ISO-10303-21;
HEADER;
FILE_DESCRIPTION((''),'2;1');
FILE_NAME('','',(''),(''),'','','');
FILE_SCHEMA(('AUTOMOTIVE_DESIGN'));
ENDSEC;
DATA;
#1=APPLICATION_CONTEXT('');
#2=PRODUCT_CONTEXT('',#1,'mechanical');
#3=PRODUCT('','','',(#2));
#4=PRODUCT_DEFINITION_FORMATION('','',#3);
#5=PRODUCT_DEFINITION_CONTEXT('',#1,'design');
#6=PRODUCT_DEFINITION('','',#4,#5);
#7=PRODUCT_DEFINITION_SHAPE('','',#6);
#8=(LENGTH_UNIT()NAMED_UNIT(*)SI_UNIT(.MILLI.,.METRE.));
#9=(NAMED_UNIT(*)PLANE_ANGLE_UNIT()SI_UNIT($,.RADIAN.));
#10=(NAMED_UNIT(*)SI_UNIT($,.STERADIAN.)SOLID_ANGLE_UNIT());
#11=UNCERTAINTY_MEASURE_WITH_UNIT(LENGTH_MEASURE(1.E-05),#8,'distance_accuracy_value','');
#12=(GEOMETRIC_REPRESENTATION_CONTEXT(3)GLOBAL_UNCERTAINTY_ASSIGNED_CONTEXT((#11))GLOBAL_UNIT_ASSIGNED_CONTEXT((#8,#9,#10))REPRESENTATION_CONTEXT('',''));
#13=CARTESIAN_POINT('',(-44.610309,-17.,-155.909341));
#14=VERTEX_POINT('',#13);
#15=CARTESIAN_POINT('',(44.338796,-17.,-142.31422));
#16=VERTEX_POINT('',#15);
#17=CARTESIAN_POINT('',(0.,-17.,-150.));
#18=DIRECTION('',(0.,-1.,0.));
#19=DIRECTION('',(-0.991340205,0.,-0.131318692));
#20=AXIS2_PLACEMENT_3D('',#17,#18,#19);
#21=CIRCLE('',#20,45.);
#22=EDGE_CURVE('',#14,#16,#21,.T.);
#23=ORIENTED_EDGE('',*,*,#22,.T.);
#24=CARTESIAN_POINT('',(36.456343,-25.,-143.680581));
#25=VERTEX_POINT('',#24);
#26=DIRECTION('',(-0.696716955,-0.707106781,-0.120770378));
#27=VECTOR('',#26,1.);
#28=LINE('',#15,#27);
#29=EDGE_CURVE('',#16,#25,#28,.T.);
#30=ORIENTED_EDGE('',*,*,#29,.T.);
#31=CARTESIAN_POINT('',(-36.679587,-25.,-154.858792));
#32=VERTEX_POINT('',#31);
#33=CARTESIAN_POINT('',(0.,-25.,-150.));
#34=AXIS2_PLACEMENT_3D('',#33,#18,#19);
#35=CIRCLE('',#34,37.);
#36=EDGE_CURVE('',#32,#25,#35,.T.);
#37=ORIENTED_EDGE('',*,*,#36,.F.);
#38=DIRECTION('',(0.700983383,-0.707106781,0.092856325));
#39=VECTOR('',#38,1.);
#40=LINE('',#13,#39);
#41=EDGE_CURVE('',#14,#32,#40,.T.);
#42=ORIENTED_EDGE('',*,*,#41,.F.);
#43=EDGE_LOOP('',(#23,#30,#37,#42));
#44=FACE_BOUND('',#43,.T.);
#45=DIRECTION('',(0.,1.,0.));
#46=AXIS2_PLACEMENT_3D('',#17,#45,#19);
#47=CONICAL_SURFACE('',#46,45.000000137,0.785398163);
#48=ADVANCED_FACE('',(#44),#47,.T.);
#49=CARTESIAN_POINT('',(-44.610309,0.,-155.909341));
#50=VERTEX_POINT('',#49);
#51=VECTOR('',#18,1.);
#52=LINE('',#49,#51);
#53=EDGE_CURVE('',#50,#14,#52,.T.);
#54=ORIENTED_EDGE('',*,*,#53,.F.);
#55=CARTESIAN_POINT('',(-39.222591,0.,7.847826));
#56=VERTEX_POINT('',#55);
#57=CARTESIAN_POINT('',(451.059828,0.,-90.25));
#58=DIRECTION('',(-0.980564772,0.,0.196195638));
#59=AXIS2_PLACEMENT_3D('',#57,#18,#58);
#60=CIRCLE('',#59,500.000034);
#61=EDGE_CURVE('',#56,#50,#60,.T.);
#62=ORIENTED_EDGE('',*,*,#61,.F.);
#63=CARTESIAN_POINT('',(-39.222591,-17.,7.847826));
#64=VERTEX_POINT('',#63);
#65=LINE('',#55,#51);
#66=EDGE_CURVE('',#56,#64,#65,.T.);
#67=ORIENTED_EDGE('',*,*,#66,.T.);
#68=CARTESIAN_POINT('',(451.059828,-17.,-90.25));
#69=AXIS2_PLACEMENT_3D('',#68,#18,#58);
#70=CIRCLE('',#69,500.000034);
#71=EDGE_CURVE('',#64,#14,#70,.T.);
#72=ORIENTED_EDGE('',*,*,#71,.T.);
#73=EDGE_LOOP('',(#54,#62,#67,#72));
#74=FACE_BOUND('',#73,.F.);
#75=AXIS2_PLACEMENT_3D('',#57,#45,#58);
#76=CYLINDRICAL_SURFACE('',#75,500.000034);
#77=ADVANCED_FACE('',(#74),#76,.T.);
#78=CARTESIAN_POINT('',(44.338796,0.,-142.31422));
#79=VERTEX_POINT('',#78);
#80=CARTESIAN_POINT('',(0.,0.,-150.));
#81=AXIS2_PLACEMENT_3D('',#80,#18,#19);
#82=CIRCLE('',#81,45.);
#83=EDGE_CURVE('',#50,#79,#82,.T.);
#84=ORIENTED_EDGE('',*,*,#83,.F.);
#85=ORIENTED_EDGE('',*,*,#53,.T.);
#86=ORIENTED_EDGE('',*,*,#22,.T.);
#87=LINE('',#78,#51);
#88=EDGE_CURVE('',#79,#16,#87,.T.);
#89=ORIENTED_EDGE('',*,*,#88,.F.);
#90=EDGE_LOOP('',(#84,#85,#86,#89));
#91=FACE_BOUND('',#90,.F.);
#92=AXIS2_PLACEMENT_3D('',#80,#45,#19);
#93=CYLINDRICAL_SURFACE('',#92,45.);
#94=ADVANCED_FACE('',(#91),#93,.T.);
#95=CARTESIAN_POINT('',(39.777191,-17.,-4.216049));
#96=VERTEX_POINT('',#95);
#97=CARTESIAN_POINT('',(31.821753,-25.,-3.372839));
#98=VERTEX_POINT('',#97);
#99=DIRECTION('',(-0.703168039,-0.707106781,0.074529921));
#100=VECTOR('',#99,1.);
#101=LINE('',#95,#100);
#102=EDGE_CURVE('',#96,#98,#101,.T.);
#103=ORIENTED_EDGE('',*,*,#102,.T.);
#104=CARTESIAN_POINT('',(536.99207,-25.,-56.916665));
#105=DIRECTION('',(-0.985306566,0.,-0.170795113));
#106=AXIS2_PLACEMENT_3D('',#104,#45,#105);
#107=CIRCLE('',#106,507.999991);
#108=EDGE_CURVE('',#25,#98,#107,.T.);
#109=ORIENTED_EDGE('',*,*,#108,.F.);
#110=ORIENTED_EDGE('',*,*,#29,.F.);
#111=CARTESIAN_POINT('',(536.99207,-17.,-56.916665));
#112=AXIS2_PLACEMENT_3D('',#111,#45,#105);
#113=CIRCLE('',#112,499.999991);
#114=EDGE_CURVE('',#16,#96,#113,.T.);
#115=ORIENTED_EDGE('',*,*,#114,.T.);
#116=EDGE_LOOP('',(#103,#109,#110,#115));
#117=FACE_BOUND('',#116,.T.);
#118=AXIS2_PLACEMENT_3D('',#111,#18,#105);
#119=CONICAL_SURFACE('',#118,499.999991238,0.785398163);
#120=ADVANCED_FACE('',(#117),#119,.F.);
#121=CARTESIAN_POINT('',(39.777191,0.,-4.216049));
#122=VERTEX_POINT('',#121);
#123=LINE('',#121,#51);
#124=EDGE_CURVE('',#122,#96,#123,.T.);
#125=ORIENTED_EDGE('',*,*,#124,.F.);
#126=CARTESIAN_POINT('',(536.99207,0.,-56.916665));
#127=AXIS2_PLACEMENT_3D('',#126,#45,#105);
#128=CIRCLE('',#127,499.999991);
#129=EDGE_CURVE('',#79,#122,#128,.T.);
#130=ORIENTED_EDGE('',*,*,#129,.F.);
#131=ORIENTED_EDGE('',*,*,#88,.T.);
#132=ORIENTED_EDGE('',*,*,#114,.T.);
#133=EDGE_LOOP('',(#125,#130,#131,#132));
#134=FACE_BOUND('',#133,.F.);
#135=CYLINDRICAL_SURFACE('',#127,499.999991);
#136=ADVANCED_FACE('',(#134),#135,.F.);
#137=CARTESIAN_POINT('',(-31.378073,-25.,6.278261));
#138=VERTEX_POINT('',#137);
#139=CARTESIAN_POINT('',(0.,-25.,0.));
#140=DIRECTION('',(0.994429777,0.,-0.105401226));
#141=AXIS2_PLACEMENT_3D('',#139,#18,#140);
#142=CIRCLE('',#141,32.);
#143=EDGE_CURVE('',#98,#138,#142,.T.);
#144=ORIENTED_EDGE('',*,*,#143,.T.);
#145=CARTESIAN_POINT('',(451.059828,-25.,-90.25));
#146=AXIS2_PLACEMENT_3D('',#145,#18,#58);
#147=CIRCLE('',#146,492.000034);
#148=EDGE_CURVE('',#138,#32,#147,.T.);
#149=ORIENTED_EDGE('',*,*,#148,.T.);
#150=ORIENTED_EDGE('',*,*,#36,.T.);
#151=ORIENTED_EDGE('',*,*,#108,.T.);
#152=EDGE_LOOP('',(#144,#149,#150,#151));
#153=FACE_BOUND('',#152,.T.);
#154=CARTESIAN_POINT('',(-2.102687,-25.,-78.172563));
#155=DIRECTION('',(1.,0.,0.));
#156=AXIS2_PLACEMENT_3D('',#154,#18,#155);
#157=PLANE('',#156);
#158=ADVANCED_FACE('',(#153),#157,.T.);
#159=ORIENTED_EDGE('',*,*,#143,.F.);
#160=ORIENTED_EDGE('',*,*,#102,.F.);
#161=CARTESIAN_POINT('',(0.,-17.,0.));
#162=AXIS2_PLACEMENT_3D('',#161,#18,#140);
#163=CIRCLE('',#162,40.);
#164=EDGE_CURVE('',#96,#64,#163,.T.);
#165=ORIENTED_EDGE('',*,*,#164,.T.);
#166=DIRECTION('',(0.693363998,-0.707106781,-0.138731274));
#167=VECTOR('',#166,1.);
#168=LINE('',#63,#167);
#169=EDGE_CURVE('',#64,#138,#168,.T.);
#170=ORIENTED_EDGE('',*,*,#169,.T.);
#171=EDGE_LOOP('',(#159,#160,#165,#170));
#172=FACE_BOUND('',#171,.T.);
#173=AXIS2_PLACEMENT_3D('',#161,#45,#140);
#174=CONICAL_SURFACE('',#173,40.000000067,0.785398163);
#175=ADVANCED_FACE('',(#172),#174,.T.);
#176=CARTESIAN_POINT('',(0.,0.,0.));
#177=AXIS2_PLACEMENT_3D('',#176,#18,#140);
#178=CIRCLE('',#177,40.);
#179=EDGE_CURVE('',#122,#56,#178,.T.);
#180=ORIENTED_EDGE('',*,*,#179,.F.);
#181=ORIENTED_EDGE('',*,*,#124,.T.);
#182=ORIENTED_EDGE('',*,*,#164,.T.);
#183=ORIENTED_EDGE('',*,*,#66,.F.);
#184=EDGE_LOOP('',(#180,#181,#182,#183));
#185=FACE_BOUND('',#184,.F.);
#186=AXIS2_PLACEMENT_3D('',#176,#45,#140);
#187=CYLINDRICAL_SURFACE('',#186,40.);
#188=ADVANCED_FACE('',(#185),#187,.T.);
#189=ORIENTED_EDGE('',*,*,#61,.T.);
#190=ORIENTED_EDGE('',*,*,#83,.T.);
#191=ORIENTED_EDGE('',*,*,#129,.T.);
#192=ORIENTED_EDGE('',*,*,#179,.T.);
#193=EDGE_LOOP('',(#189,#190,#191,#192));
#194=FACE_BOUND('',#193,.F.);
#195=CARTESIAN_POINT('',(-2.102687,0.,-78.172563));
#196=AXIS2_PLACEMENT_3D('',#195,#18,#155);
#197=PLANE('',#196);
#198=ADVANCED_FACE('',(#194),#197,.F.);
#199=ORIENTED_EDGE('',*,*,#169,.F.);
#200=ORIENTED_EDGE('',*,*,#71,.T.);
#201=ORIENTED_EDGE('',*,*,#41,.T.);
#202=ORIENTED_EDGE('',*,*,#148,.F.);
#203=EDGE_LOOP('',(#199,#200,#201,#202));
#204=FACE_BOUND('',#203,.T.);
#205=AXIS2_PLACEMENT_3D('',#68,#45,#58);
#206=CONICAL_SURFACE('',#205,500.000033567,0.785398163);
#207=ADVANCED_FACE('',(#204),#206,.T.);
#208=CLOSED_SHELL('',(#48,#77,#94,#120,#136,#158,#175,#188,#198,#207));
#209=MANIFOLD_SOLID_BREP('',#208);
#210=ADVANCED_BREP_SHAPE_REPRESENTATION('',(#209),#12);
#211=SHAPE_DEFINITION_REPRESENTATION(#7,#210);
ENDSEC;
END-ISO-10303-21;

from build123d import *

# Parameters (mm, degrees)
F1_DEPTH = 25
F2_SIZE  = 8


with BuildPart() as f1:
    # F0 (on Front) → F1 (new body)
    with BuildSketch(Plane.XZ):
        with BuildLine():
            ThreePointArc((44.338796, -142.31422), (37.264628, -73.423467), (39.777191, -4.216049))
            ThreePointArc((39.777191, -4.216049), (6.038308, 39.541609), (-39.222591, 7.847826))
            ThreePointArc((-39.222591, 7.847826), (-48.669812, -73.808567), (-44.610309, -155.909341))
            ThreePointArc((-44.610309, -155.909341), (6.798916, -194.483421), (44.338796, -142.31422))
        make_face()
    extrude(amount=F1_DEPTH)

    # F2
    f2_edges = [f1.edges().sort_by_distance(p)[0] for p in [
        (6.038308, -25, 39.541609),
    ]]
    chamfer(f2_edges, length=F2_SIZE)


solid = f1.part
